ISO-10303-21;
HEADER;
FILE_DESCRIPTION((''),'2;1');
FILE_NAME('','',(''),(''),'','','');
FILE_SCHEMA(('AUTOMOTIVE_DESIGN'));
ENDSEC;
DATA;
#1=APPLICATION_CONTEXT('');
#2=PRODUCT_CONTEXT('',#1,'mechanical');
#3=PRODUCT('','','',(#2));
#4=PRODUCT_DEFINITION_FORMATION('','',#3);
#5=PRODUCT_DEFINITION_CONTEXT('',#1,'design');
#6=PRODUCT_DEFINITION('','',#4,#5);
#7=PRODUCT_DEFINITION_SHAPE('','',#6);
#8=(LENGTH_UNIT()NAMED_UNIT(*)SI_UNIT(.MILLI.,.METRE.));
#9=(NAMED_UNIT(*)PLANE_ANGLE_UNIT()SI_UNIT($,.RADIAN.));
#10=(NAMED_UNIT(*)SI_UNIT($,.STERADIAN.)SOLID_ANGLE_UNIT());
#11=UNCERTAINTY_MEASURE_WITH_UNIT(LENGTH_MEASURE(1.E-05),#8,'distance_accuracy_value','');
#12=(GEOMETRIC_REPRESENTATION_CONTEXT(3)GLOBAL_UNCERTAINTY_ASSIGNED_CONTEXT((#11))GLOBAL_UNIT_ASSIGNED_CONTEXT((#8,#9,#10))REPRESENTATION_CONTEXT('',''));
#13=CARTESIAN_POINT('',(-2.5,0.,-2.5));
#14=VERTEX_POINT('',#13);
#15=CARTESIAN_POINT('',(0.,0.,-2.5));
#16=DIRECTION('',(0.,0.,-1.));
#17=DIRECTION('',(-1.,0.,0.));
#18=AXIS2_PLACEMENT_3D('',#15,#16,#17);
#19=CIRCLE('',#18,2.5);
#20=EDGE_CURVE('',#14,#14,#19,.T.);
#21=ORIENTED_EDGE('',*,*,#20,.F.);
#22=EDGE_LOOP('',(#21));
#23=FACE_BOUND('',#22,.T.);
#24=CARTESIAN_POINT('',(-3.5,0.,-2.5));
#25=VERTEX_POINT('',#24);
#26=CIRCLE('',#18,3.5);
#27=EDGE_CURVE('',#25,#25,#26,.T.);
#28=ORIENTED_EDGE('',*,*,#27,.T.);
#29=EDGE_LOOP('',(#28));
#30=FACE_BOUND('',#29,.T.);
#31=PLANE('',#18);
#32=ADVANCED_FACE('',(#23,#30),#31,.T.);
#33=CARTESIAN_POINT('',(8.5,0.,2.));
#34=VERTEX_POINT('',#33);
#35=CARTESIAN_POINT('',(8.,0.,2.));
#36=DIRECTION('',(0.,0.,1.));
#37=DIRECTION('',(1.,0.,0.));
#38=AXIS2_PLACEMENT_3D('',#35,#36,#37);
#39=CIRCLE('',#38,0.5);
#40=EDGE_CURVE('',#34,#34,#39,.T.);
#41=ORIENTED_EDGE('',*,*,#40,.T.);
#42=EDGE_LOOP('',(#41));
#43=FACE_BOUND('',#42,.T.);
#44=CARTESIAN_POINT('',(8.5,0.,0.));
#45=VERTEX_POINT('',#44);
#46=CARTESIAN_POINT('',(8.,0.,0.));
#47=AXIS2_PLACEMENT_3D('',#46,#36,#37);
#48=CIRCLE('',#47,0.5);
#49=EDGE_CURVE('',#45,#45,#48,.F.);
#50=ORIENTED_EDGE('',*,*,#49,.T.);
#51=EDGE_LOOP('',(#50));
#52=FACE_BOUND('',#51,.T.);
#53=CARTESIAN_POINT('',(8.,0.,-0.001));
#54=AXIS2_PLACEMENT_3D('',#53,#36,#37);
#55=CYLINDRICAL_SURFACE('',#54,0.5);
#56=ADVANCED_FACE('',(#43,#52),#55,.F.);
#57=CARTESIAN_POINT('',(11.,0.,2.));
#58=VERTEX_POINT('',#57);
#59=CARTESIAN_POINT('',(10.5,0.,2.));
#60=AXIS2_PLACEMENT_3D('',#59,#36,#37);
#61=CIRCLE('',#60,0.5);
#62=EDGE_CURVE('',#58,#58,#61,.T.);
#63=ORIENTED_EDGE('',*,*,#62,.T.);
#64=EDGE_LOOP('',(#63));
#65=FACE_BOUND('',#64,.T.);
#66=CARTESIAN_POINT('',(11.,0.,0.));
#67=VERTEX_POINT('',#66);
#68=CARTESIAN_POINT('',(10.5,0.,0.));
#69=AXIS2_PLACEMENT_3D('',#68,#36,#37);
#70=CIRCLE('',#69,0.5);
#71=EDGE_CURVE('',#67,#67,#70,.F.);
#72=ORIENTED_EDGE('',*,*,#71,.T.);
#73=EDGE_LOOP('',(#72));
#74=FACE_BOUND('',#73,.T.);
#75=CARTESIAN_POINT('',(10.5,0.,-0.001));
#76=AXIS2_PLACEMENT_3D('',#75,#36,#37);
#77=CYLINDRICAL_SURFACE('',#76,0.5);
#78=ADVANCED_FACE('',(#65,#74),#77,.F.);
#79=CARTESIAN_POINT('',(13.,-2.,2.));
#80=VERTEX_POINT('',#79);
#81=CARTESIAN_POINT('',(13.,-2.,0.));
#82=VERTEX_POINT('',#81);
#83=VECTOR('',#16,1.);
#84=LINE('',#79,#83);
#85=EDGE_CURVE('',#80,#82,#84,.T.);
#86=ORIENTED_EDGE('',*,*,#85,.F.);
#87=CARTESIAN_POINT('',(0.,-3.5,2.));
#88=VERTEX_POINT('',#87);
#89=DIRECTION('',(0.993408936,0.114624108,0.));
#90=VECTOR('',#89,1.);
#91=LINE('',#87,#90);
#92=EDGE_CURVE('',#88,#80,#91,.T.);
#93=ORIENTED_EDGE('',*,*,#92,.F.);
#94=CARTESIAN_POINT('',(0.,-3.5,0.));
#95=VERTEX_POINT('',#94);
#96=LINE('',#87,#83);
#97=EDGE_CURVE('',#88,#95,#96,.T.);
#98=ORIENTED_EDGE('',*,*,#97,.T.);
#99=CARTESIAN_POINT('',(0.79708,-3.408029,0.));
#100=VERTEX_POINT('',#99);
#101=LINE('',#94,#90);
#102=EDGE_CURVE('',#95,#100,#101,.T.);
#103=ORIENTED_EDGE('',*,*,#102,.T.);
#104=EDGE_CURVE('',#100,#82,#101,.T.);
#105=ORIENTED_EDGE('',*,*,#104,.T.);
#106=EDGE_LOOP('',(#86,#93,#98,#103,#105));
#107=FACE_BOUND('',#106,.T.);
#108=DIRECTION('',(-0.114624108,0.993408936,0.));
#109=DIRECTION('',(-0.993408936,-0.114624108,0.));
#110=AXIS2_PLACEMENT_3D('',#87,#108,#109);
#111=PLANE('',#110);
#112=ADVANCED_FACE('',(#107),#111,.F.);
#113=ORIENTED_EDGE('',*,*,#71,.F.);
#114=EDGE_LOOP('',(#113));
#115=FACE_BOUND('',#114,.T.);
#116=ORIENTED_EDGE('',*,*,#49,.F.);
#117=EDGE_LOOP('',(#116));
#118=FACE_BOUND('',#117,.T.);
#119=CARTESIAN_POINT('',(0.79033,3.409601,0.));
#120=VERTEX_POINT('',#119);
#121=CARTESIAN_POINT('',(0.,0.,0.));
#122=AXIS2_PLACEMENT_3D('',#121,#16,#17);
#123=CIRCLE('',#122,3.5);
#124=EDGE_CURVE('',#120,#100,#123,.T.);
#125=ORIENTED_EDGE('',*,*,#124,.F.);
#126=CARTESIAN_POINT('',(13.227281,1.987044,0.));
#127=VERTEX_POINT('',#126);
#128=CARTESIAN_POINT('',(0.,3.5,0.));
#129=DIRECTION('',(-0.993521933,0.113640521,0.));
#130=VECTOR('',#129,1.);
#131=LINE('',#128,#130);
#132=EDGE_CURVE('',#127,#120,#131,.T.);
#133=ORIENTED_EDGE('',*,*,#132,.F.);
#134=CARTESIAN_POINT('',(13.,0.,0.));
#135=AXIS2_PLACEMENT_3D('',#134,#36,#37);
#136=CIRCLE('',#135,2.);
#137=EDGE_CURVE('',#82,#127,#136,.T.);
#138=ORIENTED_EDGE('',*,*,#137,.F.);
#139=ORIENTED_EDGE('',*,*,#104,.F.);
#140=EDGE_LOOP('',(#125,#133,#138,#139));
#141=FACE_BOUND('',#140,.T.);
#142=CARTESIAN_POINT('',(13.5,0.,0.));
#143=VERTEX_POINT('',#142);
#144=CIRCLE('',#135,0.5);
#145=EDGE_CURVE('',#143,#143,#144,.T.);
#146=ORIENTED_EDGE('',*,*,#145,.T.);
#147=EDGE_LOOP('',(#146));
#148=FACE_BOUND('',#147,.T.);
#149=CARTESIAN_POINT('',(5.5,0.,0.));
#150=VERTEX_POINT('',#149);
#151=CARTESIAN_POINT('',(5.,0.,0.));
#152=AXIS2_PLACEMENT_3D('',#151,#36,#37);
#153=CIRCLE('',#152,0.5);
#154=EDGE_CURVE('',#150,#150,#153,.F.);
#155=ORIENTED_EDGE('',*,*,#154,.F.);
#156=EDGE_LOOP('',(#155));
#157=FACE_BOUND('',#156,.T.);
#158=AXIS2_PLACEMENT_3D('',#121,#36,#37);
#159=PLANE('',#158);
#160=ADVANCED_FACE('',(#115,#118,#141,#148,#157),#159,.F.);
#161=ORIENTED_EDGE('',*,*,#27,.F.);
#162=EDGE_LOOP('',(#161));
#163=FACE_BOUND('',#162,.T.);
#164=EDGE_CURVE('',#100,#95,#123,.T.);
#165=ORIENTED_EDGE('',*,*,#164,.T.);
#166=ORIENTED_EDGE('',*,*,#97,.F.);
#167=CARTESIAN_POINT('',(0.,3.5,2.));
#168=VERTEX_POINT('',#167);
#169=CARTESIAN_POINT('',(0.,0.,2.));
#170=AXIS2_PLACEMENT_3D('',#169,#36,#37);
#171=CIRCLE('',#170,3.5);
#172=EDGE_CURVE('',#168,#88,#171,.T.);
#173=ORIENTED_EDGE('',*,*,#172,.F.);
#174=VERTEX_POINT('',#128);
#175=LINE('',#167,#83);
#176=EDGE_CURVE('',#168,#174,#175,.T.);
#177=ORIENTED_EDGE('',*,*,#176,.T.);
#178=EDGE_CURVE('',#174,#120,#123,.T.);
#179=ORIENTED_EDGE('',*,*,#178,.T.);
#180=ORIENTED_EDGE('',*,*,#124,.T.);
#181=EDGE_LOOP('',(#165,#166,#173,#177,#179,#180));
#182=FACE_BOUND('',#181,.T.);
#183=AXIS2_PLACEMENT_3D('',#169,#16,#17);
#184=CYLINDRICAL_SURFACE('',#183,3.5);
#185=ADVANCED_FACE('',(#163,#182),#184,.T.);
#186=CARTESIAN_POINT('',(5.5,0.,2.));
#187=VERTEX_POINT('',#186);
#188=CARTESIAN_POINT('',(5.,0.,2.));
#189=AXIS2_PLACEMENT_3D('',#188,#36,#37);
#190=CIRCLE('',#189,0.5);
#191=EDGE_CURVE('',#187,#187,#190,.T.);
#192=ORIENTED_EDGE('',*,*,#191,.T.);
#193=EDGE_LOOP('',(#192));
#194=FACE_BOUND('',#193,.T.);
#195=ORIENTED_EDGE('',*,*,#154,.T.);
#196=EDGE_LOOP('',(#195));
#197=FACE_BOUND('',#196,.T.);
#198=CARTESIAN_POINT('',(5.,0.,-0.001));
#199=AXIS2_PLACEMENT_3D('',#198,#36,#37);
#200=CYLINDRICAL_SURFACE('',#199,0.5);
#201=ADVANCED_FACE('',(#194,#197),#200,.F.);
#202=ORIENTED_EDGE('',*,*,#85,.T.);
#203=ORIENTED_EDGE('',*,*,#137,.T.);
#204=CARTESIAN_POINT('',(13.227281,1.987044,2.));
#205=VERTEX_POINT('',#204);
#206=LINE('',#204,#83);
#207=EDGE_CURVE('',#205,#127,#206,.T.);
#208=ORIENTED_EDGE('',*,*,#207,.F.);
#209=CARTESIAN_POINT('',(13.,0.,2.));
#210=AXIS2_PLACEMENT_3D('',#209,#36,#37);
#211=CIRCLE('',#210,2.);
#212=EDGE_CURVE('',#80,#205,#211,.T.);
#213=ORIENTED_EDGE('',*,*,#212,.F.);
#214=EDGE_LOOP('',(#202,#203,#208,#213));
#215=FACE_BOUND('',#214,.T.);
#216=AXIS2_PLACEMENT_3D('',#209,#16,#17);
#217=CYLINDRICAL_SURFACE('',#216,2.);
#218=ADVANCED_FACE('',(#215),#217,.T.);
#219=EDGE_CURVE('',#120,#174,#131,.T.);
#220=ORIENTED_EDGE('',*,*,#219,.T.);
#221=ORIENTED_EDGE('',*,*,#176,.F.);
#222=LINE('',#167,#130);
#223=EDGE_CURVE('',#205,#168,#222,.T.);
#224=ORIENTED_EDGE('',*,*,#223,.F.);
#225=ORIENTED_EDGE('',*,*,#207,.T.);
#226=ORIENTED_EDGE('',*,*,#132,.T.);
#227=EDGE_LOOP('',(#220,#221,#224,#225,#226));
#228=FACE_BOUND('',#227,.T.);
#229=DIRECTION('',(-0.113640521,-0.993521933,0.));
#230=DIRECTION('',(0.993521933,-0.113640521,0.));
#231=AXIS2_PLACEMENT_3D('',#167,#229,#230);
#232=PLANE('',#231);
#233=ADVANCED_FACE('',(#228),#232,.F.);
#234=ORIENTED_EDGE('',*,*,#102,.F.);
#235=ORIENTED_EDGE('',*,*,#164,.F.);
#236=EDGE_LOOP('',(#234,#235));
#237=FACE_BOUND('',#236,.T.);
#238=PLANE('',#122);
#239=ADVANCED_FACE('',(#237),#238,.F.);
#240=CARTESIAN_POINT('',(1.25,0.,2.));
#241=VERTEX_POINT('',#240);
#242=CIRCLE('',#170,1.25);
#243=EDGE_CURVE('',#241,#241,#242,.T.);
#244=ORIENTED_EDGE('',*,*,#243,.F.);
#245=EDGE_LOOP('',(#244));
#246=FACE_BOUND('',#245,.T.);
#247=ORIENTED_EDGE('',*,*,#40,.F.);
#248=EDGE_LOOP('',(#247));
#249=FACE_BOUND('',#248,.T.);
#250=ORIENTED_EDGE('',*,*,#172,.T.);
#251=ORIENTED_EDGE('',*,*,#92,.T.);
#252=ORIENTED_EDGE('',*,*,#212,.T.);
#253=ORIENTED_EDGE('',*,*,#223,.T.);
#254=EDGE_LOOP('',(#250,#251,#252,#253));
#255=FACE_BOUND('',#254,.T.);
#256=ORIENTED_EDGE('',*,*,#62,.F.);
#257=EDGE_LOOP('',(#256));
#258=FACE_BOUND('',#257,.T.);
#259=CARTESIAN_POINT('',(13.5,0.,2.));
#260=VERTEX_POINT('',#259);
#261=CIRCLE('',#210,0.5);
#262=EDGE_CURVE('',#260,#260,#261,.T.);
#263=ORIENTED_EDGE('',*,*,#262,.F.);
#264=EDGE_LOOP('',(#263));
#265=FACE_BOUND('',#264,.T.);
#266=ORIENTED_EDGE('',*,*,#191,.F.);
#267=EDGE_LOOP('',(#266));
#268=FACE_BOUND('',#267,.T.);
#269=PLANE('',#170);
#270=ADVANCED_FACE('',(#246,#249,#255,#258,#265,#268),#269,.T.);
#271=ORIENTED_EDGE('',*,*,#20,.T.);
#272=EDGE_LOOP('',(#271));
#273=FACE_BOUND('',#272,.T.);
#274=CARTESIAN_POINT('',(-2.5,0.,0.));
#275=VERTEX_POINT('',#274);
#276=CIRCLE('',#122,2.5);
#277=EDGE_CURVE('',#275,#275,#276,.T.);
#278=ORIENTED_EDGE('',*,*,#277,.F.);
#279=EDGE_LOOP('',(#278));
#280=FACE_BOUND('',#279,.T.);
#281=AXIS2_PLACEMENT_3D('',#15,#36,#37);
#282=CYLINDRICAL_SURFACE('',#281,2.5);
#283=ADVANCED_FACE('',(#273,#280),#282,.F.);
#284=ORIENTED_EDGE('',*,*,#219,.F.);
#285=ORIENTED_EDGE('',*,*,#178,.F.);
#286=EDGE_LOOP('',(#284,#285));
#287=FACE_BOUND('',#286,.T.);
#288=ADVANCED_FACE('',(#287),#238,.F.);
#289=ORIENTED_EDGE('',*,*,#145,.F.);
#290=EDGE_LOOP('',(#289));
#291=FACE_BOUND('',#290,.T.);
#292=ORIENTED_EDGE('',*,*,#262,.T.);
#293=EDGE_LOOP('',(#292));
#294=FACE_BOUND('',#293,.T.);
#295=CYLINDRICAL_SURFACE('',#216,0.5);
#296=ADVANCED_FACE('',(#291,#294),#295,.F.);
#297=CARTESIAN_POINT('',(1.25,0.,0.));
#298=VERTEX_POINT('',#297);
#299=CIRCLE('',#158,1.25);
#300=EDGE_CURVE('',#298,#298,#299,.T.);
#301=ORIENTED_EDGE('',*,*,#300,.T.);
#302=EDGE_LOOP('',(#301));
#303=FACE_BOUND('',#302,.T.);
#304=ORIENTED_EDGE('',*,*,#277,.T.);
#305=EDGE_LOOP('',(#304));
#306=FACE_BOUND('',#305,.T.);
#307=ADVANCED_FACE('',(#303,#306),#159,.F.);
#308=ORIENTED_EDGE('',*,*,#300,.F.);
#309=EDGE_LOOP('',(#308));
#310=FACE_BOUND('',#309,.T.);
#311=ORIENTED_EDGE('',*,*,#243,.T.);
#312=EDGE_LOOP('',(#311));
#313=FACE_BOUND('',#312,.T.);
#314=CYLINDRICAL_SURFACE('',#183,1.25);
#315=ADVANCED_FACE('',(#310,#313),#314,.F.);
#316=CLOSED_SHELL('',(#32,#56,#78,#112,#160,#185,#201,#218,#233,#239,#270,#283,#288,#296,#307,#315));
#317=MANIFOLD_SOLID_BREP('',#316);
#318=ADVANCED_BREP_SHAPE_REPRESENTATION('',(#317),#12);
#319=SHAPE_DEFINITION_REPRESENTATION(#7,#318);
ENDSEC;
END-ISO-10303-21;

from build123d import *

# Parameters (mm, degrees)
SKETCH_1_R          = 1.25
SKETCH_1_R_2        = 0.5
EXTRUDE_1_DEPTH     = 2
CUT_EXTRUDE_1_REACH = 17.532
SKETCH_2_R          = 0.5
EXTRUDE_START       = 2.5
SKETCH_3_R          = 3.5
SKETCH_3_R_2        = 2.5
EXTRUDE_2_DEPTH     = 2.5


with BuildPart() as part:
    # 草圖1 → 填料-伸長1 (new body)
    with BuildSketch(Plane.XY):
        with BuildLine():
            Line((0, 3.5), (13.227281041, 1.987043867))
            ThreePointArc((13.227281041, 1.987043867), (14.99675834, -0.113825012), (13, -2))
            Line((13, -2), (0, -3.5))
            ThreePointArc((0, -3.5), (-3.5, 0), (0, 3.5))
        make_face()
        Circle(SKETCH_1_R, mode=Mode.SUBTRACT)
        with Locations((13, 0)):
            Circle(SKETCH_1_R_2, mode=Mode.SUBTRACT)
    extrude(amount=EXTRUDE_1_DEPTH)

    # 草圖2 → 除料-伸長1 (cut, up to next)
    with BuildSketch(Plane.XY.offset(2), mode=Mode.PRIVATE) as cut_extrude_1_sk1:
        with Locations((10.5, 0)):
            Circle(SKETCH_2_R)
    cut_extrude_1_tool1 = extrude(cut_extrude_1_sk1.sketch, amount=-CUT_EXTRUDE_1_REACH, mode=Mode.PRIVATE) & part.part
    # 草圖2 → 除料-伸長1 (cut, up to next)
    with BuildSketch(Plane.XY.offset(2), mode=Mode.PRIVATE) as cut_extrude_1_sk2:
        with Locations((8, 0)):
            Circle(SKETCH_2_R)
    cut_extrude_1_tool2 = extrude(cut_extrude_1_sk2.sketch, amount=-CUT_EXTRUDE_1_REACH, mode=Mode.PRIVATE) & part.part
    # 草圖2 → 除料-伸長1 (cut, up to next)
    with BuildSketch(Plane.XY.offset(2), mode=Mode.PRIVATE) as cut_extrude_1_sk3:
        with Locations((5, 0)):
            Circle(SKETCH_2_R)
    cut_extrude_1_tool3 = extrude(cut_extrude_1_sk3.sketch, amount=-CUT_EXTRUDE_1_REACH, mode=Mode.PRIVATE) & part.part
    add(cut_extrude_1_tool1.solids().sort_by_distance((10.5, 0, 2))[0], mode=Mode.SUBTRACT)
    add(cut_extrude_1_tool2.solids().sort_by_distance((8, 0, 2))[0], mode=Mode.SUBTRACT)
    add(cut_extrude_1_tool3.solids().sort_by_distance((5, 0, 2))[0], mode=Mode.SUBTRACT)

    # 草圖3 → 填料-伸長2 (add)
    with BuildSketch(Plane(origin=(0, 0, 0), x_dir=(-1, 0, 0), z_dir=(0, 0, -1)).offset(EXTRUDE_START)):
        Circle(SKETCH_3_R)
        Circle(SKETCH_3_R_2, mode=Mode.SUBTRACT)
    extrude(amount=-EXTRUDE_2_DEPTH)


solid = part.part
